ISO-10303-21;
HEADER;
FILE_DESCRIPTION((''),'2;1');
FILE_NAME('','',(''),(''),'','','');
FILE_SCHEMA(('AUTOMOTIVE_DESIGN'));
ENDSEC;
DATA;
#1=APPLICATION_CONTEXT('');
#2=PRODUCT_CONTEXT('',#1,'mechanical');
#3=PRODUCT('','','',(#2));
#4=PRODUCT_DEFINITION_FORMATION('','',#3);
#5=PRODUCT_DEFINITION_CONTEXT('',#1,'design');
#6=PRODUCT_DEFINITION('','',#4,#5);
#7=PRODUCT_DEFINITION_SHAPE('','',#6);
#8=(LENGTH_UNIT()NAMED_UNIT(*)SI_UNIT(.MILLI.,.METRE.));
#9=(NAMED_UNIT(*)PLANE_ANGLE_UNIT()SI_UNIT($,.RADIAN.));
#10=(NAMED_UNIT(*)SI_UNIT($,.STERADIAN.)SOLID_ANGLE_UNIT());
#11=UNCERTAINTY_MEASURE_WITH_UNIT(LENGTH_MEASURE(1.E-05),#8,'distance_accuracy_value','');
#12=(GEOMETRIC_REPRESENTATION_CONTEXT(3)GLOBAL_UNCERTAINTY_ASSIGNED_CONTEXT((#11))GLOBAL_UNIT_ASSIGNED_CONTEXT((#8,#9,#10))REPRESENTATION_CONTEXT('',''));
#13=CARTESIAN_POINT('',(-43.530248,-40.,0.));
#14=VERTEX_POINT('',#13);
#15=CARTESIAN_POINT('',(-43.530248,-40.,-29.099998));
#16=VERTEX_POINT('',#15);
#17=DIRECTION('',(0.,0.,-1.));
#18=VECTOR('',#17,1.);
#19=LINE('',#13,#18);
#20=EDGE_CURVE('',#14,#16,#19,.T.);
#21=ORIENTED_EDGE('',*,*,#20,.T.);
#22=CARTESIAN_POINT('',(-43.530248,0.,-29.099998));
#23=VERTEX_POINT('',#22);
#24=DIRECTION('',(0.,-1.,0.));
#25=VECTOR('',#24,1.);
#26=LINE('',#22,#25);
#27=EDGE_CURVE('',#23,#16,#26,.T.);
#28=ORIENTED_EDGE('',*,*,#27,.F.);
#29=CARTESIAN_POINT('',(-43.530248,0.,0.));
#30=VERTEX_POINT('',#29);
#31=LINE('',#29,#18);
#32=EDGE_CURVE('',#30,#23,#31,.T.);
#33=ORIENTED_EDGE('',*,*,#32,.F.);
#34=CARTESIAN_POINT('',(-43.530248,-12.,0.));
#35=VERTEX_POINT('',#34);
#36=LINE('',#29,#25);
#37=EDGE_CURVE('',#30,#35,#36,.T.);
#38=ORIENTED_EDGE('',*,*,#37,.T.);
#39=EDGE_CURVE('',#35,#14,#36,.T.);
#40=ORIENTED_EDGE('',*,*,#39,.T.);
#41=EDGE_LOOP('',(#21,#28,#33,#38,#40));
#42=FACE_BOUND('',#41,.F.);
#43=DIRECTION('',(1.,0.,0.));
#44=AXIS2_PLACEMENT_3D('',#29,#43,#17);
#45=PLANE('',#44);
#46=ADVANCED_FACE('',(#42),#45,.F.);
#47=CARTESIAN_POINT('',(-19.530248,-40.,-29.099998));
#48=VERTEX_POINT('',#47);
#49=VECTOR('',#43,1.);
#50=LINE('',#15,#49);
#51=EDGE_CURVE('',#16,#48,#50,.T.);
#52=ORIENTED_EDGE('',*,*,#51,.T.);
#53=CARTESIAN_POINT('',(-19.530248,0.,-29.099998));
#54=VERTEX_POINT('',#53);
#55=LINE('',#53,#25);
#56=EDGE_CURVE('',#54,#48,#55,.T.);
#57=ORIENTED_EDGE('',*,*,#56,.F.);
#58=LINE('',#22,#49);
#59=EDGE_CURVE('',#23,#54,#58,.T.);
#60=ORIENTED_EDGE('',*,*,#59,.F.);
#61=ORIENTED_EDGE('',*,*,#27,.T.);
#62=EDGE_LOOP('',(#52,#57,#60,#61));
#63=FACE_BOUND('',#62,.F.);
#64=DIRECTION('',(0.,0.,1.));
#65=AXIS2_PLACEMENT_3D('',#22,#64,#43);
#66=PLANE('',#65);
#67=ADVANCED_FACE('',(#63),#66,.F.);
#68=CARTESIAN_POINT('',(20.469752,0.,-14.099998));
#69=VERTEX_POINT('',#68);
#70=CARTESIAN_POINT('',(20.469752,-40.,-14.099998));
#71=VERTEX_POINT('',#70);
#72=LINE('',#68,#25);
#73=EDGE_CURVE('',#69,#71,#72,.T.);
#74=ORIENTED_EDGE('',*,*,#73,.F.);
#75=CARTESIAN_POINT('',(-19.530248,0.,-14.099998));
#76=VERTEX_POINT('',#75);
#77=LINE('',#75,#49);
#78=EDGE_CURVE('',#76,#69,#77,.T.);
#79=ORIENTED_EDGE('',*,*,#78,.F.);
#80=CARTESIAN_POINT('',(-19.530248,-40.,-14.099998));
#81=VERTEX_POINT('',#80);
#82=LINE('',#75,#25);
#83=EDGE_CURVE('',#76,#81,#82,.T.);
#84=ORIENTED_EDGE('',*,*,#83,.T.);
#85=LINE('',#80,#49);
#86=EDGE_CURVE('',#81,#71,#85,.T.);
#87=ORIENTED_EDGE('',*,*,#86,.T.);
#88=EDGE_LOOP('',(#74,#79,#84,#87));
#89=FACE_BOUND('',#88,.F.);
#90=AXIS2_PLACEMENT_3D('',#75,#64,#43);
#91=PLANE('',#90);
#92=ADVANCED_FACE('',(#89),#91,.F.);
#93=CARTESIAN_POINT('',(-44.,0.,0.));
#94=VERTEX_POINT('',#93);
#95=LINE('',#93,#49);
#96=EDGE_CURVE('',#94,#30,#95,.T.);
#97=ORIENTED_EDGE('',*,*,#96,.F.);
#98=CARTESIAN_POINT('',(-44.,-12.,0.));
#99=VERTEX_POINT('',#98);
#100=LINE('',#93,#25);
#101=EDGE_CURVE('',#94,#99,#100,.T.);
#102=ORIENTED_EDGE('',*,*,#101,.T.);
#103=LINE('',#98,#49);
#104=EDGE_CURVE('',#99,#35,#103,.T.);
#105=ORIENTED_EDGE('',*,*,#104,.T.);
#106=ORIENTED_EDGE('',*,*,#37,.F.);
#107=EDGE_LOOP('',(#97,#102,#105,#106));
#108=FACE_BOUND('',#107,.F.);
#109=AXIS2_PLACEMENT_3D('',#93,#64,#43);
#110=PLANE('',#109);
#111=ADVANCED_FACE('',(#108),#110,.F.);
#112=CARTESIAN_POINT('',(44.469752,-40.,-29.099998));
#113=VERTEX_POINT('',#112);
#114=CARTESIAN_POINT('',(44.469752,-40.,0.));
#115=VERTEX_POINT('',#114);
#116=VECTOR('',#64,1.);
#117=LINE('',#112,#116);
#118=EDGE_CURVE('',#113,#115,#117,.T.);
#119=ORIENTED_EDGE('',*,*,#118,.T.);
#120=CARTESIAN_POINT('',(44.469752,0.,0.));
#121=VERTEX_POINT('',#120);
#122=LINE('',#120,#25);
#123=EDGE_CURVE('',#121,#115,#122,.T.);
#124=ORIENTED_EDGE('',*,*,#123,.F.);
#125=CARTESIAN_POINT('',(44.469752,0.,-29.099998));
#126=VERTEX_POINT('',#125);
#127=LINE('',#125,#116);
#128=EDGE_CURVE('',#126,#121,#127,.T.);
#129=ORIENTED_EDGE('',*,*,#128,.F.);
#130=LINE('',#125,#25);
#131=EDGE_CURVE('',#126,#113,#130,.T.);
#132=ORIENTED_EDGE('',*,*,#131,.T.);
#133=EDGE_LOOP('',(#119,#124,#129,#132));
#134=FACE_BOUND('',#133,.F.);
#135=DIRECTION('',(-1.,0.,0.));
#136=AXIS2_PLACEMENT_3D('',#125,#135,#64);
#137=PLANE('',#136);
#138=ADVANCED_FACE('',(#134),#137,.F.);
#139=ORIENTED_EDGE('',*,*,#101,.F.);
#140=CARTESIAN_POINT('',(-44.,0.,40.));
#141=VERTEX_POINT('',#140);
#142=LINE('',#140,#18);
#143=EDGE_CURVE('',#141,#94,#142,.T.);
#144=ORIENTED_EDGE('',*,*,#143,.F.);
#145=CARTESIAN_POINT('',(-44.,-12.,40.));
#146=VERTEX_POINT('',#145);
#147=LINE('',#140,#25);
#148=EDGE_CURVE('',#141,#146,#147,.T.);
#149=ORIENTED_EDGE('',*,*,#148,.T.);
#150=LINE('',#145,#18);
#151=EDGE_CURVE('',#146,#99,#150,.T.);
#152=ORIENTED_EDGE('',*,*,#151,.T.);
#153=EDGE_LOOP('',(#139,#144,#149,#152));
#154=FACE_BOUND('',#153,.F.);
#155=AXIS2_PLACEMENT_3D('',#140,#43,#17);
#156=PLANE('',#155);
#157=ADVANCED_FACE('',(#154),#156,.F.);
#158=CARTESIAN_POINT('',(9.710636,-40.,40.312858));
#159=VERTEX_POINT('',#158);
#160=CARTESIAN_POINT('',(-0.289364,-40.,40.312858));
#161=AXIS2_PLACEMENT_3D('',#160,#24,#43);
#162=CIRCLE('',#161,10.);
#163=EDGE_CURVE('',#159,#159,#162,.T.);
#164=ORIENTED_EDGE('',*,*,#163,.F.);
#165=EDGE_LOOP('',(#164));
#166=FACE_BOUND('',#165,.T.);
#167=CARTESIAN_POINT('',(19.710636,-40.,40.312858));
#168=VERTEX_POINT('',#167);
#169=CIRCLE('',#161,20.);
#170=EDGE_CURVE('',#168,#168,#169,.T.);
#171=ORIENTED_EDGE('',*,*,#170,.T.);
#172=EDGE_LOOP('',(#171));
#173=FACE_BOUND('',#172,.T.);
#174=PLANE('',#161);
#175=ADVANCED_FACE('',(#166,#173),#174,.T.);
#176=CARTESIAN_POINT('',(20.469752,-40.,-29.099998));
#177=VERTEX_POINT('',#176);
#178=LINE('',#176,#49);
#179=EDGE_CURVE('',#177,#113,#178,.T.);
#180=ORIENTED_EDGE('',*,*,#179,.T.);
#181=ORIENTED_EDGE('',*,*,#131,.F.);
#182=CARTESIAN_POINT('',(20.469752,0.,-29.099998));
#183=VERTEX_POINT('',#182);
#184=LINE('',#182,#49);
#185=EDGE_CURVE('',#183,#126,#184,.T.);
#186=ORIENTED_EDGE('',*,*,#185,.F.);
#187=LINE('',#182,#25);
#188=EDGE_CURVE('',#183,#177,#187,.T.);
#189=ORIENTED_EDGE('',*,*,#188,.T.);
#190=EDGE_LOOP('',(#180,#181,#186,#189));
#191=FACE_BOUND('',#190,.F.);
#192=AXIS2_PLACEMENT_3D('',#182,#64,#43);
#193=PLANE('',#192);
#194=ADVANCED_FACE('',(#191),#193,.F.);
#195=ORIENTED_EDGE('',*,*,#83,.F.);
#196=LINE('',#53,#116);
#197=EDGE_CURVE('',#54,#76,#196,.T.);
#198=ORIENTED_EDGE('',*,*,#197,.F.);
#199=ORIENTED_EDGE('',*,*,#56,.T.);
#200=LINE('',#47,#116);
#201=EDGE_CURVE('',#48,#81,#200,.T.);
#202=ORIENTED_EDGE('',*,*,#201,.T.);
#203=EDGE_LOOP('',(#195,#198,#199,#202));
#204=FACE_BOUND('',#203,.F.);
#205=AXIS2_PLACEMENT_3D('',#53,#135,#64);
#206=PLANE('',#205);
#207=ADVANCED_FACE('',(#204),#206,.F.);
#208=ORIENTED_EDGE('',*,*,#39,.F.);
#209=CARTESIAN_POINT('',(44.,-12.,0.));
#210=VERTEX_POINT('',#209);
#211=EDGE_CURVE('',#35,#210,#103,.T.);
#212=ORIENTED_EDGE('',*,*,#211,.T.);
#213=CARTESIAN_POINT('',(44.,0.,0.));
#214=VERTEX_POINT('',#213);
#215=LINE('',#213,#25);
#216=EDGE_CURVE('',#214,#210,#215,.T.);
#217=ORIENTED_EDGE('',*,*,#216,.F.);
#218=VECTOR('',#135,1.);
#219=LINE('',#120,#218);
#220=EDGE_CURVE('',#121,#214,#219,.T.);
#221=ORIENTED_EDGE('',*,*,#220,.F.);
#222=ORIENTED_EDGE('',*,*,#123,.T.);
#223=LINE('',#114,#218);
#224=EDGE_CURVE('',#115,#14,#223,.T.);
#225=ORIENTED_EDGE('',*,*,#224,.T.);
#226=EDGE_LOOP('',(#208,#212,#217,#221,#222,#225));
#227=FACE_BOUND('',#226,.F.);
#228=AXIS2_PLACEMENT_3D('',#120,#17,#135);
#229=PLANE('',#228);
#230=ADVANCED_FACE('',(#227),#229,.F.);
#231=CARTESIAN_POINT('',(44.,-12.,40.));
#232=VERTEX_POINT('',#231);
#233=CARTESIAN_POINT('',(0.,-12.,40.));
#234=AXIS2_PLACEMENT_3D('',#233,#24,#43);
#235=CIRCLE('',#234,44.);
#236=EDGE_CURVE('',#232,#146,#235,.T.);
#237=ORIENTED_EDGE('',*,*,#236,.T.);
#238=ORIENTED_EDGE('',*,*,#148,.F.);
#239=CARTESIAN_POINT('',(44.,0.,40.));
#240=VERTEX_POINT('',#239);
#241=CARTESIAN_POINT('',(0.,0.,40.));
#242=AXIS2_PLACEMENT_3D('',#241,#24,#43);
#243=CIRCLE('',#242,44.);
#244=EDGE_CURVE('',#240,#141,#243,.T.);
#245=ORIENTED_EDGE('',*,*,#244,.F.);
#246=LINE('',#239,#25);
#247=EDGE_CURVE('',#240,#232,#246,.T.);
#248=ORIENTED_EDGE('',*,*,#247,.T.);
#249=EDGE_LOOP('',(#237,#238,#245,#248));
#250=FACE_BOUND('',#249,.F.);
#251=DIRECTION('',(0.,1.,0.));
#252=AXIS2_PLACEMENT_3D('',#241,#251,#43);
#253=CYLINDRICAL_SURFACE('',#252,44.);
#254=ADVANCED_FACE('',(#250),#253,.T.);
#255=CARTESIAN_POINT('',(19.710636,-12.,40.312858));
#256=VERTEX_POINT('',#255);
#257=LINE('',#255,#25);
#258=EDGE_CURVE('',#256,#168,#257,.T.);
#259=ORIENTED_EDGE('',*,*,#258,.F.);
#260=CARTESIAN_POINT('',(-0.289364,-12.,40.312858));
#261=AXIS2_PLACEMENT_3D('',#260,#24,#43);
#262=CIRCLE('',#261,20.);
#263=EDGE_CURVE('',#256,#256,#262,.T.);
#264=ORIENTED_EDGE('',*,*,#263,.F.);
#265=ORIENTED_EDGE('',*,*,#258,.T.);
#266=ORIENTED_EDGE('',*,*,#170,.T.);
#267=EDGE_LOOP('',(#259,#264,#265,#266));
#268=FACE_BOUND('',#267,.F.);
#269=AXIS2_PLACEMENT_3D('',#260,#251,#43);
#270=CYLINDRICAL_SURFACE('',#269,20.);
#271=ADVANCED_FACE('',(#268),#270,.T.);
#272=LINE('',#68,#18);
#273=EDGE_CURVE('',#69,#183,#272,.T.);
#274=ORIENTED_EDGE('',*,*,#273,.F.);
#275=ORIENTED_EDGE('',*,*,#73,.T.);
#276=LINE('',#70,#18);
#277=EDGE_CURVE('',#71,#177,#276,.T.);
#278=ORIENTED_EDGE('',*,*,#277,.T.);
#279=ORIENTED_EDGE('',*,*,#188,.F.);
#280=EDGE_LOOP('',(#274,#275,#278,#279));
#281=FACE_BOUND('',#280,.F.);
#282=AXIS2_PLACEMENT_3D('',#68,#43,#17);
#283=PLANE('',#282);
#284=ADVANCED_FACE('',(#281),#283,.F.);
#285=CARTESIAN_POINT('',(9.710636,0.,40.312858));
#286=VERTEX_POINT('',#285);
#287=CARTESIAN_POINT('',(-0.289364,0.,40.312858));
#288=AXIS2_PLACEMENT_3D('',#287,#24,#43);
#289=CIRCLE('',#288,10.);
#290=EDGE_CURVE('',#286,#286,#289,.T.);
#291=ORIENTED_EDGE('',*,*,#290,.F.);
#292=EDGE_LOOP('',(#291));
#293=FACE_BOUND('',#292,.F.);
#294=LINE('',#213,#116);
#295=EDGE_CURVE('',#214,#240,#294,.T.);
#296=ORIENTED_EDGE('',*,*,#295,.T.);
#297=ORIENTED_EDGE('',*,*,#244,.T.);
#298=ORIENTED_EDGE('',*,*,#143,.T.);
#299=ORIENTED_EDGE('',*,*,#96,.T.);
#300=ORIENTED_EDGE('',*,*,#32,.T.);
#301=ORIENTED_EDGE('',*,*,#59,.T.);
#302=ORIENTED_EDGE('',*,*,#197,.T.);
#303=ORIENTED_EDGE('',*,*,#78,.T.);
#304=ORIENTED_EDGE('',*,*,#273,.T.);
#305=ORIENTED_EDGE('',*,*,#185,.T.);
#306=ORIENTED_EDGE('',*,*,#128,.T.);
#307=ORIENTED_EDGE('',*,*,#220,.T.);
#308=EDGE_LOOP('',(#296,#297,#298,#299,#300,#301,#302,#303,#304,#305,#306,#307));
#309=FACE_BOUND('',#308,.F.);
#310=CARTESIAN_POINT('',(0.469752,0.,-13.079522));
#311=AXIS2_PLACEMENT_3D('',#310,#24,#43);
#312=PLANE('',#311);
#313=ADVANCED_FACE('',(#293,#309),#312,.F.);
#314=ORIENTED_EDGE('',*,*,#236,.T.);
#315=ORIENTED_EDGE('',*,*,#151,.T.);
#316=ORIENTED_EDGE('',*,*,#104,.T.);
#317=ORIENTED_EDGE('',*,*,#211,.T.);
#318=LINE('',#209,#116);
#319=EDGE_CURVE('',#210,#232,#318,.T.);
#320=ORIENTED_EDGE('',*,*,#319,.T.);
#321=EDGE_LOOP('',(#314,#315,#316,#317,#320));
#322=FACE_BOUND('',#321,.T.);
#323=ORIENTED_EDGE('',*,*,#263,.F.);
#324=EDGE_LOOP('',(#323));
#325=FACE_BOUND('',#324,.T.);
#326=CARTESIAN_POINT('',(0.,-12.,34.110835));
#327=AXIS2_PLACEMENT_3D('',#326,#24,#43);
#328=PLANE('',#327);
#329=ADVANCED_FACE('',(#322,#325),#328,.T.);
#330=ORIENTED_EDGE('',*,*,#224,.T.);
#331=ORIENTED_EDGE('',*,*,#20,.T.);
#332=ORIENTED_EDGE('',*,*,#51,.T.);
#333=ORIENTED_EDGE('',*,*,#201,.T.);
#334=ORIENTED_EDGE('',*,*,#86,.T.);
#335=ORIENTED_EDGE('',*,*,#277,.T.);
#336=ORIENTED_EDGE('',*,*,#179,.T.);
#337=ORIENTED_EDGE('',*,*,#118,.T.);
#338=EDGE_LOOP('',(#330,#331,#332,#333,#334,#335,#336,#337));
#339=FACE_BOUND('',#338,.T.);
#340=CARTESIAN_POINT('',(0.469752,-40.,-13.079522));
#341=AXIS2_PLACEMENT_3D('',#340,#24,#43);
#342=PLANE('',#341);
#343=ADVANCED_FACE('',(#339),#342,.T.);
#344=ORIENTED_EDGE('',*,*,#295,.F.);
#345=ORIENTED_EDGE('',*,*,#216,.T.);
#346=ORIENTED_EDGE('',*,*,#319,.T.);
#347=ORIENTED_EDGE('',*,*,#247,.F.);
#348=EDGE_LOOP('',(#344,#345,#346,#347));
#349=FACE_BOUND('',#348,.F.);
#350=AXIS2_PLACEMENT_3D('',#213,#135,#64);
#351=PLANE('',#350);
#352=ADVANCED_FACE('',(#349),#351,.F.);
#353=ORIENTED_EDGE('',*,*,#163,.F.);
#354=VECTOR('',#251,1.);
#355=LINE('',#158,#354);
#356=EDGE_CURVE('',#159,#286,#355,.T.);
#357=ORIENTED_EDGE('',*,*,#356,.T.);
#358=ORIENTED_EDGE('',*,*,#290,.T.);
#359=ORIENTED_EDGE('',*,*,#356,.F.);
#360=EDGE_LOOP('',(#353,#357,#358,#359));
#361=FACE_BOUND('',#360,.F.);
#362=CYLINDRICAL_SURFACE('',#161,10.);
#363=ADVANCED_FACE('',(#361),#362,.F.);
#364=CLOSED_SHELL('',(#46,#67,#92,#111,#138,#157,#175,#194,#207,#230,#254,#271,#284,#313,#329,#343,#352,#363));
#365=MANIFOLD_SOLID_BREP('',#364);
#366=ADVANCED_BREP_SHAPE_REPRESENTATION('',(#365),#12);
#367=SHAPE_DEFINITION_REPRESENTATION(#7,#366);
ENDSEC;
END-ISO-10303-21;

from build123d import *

# Parameters (mm, degrees)
F1_DEPTH = 12
F2_R     = 20
F3_DEPTH = 28
F5_DEPTH = 40
F6_R     = 10
F7_DEPTH = 70


with BuildPart() as f1:
    # F0 (on Front) → F1 (new body)
    with BuildSketch(Plane.XZ):
        with BuildLine():
            Line((44, 0), (44, 40))
            ThreePointArc((44, 40), (0, 84), (-44, 40))
            Line((-44, 40), (-44, 0))
            Line((-44, 0), (44, 0))
        make_face()
    extrude(amount=F1_DEPTH)

    # F2 (on face) → F3 (join)
    with BuildSketch(Plane.XZ.offset(12)):
        with Locations((-0.289364, 40.312858)):
            Circle(F2_R)
    extrude(amount=F3_DEPTH)

    # F4 (on Front) → F5 (join)
    with BuildSketch(Plane.XZ):
        Polygon((44.469752, -29.099998), (44.469752, 0), (-43.530248, 0), (-43.530248, -29.099998), (-19.530248, -29.099998), (-19.530248, -14.099998), (20.469752, -14.099998), (20.469752, -29.099998), align=None)
    extrude(amount=F5_DEPTH)

    # F6 (on face) → F7 (cut)
    with BuildSketch(Plane.XZ.offset(40)):
        with Locations((-0.289364, 40.312858)):
            Circle(F6_R)
    extrude(amount=-F7_DEPTH, mode=Mode.SUBTRACT)


solid = f1.part
